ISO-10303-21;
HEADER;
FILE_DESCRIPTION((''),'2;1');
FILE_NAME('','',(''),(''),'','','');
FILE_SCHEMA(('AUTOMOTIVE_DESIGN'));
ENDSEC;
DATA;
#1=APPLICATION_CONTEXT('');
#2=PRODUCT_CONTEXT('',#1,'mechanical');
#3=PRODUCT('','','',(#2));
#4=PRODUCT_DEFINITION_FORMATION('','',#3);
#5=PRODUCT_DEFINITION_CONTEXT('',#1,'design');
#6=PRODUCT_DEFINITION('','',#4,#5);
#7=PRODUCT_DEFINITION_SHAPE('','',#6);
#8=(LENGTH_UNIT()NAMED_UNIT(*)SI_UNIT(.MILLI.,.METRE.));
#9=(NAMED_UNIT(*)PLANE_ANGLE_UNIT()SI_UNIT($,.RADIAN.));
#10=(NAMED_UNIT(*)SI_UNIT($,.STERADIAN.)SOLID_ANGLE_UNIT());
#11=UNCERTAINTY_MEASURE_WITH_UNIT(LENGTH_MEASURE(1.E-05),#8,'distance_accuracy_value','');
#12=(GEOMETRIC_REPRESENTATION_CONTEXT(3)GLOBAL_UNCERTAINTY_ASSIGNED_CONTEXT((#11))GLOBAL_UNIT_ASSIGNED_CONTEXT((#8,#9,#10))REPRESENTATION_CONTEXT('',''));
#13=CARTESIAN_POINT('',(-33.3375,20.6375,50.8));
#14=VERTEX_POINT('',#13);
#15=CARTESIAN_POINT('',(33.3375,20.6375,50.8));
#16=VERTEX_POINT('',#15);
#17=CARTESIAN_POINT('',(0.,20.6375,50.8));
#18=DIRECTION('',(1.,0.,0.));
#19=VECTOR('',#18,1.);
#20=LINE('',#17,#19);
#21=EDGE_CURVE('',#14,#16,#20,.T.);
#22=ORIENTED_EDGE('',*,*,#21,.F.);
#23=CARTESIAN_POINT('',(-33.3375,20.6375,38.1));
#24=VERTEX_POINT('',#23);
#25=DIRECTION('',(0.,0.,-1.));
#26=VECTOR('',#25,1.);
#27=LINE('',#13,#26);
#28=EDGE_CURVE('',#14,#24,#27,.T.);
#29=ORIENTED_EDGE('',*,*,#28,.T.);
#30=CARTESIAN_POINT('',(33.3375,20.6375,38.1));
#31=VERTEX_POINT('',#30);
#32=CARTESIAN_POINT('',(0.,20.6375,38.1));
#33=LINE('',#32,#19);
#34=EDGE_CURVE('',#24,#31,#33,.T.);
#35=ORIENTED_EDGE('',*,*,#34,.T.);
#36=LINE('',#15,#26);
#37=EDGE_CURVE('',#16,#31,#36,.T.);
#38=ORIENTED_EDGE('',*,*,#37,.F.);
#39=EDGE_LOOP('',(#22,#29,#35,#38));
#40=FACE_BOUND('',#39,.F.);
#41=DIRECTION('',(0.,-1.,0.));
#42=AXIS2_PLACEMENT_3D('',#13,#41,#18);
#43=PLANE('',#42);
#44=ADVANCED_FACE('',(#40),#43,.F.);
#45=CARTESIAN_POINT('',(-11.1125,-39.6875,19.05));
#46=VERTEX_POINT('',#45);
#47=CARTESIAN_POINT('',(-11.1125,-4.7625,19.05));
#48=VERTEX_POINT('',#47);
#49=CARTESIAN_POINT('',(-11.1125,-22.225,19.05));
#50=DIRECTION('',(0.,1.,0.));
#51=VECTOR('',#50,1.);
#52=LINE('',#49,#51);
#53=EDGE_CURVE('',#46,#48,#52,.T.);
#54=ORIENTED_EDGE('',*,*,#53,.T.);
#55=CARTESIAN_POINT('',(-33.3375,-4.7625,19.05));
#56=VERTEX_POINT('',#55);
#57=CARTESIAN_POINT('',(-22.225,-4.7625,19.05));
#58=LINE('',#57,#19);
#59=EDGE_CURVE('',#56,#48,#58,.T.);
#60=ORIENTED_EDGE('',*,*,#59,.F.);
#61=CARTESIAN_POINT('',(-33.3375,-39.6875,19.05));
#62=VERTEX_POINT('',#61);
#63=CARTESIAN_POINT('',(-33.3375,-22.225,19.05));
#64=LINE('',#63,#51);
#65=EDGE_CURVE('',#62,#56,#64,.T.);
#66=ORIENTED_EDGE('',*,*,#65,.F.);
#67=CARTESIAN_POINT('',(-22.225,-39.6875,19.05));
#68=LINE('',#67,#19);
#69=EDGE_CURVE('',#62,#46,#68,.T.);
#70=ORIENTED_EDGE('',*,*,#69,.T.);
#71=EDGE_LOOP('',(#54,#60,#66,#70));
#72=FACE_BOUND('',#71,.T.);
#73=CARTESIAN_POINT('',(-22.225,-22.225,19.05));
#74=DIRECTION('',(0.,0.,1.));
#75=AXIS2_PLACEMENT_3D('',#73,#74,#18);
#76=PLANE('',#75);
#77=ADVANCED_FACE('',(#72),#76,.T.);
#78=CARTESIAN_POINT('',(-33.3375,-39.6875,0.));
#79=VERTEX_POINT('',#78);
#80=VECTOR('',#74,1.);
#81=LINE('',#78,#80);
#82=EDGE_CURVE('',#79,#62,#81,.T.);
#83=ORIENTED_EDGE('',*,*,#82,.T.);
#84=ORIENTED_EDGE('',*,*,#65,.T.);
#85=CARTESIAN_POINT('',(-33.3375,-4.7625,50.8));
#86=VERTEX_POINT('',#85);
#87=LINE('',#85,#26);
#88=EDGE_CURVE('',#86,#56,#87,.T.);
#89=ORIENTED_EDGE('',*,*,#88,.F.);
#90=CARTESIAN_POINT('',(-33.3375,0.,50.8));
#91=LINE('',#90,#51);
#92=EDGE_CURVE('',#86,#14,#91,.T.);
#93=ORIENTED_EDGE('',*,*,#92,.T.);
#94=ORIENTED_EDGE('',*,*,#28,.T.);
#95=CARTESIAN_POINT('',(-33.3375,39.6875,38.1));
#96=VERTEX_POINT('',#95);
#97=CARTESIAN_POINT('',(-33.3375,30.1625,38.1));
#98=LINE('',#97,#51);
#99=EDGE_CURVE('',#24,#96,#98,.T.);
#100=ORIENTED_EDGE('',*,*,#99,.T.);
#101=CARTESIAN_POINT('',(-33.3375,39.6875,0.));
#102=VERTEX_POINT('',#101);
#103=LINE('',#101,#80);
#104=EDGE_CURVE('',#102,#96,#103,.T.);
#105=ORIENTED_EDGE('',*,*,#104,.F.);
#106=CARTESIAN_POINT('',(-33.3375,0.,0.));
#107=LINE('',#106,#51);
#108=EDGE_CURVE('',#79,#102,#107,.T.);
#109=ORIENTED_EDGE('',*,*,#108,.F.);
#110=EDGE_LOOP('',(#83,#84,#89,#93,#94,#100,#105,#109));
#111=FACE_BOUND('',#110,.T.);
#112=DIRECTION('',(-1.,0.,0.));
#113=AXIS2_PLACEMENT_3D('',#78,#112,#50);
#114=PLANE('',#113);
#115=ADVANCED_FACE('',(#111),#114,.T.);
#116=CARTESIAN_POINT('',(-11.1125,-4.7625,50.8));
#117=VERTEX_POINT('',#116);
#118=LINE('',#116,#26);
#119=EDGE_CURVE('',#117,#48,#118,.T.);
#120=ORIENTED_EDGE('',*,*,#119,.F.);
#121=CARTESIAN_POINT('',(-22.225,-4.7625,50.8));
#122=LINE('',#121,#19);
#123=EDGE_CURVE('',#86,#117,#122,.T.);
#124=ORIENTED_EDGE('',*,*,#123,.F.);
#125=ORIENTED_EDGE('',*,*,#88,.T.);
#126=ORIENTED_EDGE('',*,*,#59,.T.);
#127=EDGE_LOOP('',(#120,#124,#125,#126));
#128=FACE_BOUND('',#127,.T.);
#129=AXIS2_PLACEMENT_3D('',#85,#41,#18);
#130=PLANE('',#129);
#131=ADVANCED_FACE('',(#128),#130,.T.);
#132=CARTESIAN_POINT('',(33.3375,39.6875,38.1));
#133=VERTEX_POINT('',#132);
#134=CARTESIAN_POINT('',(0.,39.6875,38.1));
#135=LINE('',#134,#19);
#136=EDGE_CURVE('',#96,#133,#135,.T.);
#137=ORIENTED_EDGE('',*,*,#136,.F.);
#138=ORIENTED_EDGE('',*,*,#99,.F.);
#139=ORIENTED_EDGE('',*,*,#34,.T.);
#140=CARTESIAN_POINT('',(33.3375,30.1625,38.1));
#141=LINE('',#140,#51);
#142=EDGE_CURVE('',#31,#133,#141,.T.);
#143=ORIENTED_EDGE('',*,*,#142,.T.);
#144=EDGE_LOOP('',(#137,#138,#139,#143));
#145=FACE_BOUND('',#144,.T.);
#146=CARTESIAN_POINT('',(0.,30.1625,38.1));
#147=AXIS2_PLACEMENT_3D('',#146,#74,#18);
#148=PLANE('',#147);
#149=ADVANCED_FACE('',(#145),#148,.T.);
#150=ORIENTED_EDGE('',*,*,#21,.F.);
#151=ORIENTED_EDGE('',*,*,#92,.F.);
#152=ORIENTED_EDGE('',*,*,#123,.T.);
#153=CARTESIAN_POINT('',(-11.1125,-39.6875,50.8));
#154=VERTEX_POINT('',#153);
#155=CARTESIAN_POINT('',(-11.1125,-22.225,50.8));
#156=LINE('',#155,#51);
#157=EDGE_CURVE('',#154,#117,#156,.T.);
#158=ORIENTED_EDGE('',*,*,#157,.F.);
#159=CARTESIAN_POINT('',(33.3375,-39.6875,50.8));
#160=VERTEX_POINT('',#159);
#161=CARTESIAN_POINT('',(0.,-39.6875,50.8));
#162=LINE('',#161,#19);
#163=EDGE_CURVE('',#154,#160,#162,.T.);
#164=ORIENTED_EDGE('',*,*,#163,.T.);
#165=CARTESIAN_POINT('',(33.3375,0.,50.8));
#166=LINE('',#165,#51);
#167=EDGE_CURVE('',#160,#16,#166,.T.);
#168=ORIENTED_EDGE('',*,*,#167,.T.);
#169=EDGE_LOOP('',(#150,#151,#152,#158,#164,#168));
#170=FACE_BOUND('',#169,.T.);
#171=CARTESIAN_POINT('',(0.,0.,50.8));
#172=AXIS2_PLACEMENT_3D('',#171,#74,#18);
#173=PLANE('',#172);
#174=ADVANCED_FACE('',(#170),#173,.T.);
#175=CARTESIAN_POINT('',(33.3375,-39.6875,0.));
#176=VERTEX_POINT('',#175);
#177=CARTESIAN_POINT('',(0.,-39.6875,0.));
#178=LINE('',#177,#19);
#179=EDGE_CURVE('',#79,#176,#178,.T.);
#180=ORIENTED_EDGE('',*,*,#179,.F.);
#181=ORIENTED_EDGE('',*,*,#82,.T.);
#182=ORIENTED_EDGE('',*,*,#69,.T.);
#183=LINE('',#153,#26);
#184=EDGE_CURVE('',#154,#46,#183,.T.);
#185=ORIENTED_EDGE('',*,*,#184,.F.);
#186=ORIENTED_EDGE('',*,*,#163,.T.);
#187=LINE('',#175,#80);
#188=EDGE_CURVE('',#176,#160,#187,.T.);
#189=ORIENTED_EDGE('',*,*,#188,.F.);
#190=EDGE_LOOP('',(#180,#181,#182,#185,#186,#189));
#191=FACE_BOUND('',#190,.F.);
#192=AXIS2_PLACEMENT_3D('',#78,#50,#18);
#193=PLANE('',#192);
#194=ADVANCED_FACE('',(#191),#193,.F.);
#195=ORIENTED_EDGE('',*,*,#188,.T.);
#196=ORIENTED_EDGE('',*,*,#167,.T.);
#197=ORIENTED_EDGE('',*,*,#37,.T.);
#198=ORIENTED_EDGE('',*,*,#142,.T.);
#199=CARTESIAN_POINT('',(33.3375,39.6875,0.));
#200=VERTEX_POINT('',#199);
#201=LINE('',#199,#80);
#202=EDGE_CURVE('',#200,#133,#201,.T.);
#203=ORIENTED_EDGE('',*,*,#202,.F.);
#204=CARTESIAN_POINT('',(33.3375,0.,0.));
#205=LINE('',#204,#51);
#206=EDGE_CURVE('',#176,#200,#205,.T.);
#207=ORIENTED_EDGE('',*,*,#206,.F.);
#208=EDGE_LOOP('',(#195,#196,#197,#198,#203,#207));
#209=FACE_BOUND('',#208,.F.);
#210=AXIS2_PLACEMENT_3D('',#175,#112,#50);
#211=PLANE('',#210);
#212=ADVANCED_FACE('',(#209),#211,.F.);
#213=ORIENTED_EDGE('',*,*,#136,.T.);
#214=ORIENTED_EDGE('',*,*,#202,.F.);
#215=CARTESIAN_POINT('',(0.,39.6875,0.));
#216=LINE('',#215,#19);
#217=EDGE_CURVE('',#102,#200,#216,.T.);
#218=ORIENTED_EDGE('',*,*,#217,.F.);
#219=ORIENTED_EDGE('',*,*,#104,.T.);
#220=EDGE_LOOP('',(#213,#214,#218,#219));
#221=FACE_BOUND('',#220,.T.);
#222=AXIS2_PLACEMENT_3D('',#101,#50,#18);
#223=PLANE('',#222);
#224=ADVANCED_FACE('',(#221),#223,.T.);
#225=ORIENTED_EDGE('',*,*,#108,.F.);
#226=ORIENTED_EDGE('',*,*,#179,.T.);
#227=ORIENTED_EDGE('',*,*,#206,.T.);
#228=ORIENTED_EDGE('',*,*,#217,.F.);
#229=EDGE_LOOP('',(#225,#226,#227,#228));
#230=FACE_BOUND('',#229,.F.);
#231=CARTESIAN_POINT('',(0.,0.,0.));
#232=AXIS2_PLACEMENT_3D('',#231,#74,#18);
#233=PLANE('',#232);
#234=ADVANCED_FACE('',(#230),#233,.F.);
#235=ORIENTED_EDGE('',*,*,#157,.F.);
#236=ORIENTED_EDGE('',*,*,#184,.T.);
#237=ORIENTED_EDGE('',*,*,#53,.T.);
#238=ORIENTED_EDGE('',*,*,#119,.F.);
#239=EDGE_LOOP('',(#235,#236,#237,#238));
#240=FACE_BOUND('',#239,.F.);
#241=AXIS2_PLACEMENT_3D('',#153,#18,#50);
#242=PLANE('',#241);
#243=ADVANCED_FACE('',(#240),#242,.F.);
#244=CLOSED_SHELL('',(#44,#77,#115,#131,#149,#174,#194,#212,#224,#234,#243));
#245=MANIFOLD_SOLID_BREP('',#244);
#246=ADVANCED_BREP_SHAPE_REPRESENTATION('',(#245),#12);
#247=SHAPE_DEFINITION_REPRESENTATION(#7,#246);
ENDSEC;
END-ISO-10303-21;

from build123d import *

# Parameters (mm, degrees)
F0_W     = 66.675
F0_H     = 79.375
F1_DEPTH = 50.8
F2_W     = 66.675
F2_H     = 19.05
F3_DEPTH = 12.7
F4_W     = 22.225
F4_H     = 34.925
F5_DEPTH = 31.75


with BuildPart() as f1:
    # F0 (on Top) → F1 (new body)
    with BuildSketch(Plane.XY):
        Rectangle(F0_W, F0_H)
    extrude(amount=F1_DEPTH)

    # F2 (on face) → F3 (cut)
    with BuildSketch(Plane.XY.offset(50.8)):
        with Locations((0, 30.1625)):
            Rectangle(F2_W, F2_H)
    extrude(amount=-F3_DEPTH, mode=Mode.SUBTRACT)

    # F4 (on face) → F5 (cut)
    with BuildSketch(Plane.XY.offset(50.8)):
        with Locations((-22.225, -22.225)):
            Rectangle(F4_W, F4_H)
    extrude(amount=-F5_DEPTH, mode=Mode.SUBTRACT)


solid = f1.part
